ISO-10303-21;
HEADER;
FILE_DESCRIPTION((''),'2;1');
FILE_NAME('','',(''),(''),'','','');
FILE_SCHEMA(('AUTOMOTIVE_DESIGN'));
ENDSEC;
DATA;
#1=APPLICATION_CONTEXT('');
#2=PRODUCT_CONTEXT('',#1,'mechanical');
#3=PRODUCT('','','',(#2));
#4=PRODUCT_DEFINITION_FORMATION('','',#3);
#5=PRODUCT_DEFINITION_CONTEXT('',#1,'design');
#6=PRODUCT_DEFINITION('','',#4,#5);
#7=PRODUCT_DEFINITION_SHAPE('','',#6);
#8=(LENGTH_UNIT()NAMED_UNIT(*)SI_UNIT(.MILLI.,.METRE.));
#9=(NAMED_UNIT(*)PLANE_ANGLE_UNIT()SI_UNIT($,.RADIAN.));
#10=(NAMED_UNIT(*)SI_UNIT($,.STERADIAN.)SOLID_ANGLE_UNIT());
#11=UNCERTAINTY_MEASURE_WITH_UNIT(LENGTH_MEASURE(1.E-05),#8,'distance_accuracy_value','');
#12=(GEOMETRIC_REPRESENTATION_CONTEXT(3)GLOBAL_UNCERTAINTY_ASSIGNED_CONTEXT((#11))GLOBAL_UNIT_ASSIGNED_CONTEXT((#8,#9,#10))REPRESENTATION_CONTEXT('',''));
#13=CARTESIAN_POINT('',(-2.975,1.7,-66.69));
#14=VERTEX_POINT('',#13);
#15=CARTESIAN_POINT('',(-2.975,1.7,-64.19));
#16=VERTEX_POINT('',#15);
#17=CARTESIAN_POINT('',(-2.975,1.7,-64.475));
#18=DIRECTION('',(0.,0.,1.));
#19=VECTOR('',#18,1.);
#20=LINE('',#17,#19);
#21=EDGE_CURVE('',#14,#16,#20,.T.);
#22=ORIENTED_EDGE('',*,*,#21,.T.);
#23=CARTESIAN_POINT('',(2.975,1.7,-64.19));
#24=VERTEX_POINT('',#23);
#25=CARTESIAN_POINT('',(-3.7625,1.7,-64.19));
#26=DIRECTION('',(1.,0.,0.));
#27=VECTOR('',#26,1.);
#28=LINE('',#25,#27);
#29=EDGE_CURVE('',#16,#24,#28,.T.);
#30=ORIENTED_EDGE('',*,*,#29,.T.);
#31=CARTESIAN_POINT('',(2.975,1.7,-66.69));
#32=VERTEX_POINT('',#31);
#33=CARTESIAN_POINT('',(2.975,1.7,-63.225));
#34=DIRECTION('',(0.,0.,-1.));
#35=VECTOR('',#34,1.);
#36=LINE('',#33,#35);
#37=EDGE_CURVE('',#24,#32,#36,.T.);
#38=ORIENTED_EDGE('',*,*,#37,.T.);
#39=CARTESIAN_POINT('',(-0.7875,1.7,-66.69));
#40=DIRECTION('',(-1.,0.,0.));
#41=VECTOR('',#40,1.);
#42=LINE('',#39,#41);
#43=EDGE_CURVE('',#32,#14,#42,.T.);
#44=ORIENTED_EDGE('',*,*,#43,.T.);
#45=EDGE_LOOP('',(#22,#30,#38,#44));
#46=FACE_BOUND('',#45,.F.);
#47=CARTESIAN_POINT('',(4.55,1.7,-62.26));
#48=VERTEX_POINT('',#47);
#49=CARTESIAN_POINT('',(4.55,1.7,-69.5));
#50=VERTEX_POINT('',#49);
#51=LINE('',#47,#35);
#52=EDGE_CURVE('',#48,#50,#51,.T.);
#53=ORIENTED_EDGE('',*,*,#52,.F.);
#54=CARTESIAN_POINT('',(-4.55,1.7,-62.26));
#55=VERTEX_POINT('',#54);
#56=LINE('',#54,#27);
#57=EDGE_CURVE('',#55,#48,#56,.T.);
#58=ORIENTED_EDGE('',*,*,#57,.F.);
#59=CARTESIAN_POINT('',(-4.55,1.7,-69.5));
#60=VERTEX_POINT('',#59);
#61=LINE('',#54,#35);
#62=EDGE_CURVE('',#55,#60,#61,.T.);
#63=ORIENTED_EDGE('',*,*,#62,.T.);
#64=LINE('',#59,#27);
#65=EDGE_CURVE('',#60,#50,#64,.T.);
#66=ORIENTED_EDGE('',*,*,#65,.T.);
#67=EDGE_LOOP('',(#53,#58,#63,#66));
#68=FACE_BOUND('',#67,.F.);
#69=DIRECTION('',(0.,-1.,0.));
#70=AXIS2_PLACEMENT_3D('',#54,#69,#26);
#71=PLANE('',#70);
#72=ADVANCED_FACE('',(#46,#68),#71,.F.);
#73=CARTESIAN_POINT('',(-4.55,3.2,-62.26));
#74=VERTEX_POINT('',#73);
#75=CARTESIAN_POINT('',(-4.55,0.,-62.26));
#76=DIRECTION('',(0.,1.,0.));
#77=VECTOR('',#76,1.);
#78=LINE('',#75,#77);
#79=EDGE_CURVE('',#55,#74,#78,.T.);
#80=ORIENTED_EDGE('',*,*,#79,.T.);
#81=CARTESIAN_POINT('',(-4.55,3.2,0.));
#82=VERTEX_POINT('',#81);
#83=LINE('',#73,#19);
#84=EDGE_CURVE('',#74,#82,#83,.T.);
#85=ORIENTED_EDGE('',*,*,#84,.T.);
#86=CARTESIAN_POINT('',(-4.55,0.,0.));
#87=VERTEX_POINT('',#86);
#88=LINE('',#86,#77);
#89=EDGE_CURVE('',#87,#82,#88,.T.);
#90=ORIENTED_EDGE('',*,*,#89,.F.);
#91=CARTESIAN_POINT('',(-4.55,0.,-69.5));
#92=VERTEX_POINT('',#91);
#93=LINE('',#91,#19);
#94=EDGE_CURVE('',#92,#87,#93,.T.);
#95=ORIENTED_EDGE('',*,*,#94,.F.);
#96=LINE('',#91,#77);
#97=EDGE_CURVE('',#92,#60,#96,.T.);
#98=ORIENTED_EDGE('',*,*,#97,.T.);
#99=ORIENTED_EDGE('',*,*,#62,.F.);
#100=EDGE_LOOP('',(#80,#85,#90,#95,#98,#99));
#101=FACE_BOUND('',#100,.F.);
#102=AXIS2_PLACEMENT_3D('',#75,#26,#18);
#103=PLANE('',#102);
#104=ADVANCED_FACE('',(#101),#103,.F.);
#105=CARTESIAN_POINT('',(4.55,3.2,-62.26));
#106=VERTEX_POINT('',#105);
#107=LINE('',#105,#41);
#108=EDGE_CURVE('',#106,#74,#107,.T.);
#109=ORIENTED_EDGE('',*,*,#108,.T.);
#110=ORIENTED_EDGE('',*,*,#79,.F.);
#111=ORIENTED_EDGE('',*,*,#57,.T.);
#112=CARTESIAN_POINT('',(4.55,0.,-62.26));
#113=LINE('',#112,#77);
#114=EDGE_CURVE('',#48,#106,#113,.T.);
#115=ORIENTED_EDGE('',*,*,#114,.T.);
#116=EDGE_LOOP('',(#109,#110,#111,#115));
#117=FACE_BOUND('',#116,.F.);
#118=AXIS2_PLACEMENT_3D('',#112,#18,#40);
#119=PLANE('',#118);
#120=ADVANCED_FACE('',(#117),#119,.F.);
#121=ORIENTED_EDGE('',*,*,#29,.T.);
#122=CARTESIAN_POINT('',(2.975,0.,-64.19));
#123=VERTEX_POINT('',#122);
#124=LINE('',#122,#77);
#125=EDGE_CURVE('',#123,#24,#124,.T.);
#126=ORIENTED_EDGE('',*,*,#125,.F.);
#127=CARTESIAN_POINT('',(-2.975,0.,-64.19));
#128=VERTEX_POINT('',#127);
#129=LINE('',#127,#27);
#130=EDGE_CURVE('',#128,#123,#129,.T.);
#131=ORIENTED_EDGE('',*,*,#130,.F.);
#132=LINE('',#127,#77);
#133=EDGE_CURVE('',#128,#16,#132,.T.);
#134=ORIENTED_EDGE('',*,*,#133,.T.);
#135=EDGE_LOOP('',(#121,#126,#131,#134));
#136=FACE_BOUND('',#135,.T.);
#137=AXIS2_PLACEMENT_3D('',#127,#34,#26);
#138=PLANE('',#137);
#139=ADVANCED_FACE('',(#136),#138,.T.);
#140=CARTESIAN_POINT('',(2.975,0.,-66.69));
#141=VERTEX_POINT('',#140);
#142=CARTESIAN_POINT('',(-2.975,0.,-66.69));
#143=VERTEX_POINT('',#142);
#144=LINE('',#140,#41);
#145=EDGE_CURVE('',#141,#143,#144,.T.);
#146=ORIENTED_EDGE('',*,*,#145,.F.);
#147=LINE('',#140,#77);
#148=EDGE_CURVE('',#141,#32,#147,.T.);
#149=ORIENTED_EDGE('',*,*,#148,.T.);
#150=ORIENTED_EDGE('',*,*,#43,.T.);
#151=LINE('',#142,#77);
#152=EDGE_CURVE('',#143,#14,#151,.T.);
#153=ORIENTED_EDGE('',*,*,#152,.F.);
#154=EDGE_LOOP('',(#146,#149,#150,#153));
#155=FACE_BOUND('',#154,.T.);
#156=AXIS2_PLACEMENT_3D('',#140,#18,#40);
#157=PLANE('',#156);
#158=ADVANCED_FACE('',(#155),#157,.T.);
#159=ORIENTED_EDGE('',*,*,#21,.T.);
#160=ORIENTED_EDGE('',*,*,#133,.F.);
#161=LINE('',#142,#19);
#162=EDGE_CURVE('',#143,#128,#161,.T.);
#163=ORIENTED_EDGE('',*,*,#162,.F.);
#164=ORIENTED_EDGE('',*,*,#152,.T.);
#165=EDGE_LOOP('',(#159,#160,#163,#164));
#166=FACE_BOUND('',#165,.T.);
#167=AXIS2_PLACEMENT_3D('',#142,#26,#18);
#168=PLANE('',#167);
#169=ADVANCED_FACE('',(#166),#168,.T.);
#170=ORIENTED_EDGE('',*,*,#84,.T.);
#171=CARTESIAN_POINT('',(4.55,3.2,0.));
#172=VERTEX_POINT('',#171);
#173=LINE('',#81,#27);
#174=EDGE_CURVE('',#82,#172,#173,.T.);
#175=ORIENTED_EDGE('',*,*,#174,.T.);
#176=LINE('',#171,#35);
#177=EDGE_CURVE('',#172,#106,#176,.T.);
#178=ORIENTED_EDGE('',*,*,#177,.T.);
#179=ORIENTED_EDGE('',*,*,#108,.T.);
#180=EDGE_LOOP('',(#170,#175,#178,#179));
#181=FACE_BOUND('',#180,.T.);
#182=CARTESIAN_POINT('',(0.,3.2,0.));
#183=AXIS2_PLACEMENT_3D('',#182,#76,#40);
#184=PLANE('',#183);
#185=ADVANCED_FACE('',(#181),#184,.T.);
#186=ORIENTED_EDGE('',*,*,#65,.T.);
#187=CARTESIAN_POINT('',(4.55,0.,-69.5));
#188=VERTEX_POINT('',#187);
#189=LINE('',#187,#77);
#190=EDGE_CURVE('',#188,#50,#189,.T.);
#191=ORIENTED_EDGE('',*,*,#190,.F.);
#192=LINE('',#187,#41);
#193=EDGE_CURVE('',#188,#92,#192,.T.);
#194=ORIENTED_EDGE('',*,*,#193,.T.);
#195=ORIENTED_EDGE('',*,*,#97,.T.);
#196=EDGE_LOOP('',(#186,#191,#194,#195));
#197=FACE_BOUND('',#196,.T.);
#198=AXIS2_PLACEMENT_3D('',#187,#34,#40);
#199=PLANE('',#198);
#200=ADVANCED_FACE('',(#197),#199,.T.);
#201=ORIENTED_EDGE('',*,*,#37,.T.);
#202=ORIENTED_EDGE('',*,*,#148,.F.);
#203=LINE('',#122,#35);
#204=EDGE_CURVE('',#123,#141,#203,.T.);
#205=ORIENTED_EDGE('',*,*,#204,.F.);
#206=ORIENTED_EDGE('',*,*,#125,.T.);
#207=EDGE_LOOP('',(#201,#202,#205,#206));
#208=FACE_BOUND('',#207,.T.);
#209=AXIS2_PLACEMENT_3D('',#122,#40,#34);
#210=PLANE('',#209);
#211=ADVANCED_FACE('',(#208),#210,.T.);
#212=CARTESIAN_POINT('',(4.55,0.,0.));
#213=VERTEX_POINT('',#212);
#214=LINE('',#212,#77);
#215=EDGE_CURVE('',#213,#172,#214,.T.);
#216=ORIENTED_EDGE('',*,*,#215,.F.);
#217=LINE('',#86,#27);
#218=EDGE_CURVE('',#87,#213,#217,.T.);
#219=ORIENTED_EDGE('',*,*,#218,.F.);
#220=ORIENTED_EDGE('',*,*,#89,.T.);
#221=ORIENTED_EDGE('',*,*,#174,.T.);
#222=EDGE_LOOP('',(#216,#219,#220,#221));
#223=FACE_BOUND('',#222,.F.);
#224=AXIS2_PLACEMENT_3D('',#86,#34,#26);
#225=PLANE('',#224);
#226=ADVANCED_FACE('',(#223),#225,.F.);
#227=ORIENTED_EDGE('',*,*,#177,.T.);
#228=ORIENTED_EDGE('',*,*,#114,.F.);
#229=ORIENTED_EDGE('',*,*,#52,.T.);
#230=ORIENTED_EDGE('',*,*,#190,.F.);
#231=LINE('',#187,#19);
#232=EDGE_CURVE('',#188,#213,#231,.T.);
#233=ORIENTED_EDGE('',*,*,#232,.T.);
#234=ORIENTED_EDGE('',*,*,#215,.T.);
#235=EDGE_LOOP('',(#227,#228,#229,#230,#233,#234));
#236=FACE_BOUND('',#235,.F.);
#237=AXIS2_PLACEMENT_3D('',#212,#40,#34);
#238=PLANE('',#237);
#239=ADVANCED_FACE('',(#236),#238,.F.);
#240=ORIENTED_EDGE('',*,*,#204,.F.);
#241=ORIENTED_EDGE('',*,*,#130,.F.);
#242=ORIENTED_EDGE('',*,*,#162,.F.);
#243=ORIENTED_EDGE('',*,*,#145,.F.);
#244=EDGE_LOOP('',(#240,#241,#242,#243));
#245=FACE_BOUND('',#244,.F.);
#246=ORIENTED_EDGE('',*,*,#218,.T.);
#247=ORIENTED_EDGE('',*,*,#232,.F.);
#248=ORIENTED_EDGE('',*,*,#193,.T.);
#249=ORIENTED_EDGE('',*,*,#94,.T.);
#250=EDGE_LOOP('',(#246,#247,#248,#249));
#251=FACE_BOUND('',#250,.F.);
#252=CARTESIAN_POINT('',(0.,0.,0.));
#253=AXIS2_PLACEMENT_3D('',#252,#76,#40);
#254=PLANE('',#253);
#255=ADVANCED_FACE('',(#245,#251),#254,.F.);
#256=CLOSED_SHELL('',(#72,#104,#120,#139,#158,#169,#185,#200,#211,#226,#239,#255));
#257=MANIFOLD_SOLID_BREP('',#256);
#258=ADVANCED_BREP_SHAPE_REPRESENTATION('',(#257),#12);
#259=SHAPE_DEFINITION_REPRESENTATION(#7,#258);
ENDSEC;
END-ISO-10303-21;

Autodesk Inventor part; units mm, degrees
ref_plane "YZ Plane" through (0, 0, 0) normal (1, 0, 0) x (0, 1, 0)
ref_plane "XZ Plane" through (0, 0, 0) normal (0, 1, 0) x (-1, 0, 0)
ref_plane "XY Plane" through (0, 0, 0) normal (0, 0, 1) x (1, 0, 0)
sketch "Sketch8" plane through (0, 0, 0) normal (0, 1, 0) x (-1, 0, 0)
  line L0 (4.55, 0) -> (-4.55, 0)
  line L1 (-4.55, 0) -> (-4.55, -62.26)
  line L2 (-4.55, -62.26) -> (4.55, -62.26)
  line L3 (4.55, -62.26) -> (4.55, 0)
  point P0 (0, 0)
  point P1 (0, 0)
  dimension "d46" = 62.26
  dimension "pheight" = 9.1
extrude "Extrusion8" add sketch "Sketch8" along normal blind 3.2
sketch "Sketch9" plane through (4.55, 0, -62.26) normal (0, 0, -1) x (-1, 0, 0)
  line L0 (9.1, 0) -> (9.1, 3.2) projected
  line L1 (0, 0) -> (0, 3.2) projected
  line L2 (9.1, 1.7) -> (0, 1.7)
  line L3 (0, 1.7) -> (0, 0)
  line L4 (0, 0) -> (9.1, 0)
  line L5 (9.1, 0) -> (9.1, 1.7)
  line L6 (0, 3.2) -> (9.1, 3.2) projected
  line L7 (0, 0) -> (9.1, 0) projected
  point P0 (4.55, 0)
  dimension "psnap" = 1.7
  dimension "d65" = 0
extrude "Extrusion9" add sketch "Sketch9" along normal blind 7.24 contours L4 L1 L2 L0
sketch "Sketch10" plane through (-4.55, 0, -62.26) normal (0, 1, 0) x (1, 0, 0)
  line L0 (1.575, 1.93) -> (7.525, 1.93)
  line L1 (7.525, 1.93) -> (7.525, 4.43)
  line L2 (7.525, 4.43) -> (1.575, 4.43)
  line L3 (1.575, 4.43) -> (1.575, 1.93)
  line L4 (0, 7.24) -> (9.1, 7.24) projected
  line L5 (0, -62.26) -> (0, 7.24) projected
  line L6 (9.1, -62.26) -> (9.1, 7.24) projected
  point P0 (4.55, -62.26)
  dimension "phheight" = 5.95
  dimension "phwidth" = 2.5
  dimension "d66" = 2.81
  dimension "d67" = 1.575
  dimension "d68" = 1.575
extrude "Extrusion10" cut sketch "Sketch10" along normal blind 7
equation "\"d68\" = d67"
properties part number "switcher"
